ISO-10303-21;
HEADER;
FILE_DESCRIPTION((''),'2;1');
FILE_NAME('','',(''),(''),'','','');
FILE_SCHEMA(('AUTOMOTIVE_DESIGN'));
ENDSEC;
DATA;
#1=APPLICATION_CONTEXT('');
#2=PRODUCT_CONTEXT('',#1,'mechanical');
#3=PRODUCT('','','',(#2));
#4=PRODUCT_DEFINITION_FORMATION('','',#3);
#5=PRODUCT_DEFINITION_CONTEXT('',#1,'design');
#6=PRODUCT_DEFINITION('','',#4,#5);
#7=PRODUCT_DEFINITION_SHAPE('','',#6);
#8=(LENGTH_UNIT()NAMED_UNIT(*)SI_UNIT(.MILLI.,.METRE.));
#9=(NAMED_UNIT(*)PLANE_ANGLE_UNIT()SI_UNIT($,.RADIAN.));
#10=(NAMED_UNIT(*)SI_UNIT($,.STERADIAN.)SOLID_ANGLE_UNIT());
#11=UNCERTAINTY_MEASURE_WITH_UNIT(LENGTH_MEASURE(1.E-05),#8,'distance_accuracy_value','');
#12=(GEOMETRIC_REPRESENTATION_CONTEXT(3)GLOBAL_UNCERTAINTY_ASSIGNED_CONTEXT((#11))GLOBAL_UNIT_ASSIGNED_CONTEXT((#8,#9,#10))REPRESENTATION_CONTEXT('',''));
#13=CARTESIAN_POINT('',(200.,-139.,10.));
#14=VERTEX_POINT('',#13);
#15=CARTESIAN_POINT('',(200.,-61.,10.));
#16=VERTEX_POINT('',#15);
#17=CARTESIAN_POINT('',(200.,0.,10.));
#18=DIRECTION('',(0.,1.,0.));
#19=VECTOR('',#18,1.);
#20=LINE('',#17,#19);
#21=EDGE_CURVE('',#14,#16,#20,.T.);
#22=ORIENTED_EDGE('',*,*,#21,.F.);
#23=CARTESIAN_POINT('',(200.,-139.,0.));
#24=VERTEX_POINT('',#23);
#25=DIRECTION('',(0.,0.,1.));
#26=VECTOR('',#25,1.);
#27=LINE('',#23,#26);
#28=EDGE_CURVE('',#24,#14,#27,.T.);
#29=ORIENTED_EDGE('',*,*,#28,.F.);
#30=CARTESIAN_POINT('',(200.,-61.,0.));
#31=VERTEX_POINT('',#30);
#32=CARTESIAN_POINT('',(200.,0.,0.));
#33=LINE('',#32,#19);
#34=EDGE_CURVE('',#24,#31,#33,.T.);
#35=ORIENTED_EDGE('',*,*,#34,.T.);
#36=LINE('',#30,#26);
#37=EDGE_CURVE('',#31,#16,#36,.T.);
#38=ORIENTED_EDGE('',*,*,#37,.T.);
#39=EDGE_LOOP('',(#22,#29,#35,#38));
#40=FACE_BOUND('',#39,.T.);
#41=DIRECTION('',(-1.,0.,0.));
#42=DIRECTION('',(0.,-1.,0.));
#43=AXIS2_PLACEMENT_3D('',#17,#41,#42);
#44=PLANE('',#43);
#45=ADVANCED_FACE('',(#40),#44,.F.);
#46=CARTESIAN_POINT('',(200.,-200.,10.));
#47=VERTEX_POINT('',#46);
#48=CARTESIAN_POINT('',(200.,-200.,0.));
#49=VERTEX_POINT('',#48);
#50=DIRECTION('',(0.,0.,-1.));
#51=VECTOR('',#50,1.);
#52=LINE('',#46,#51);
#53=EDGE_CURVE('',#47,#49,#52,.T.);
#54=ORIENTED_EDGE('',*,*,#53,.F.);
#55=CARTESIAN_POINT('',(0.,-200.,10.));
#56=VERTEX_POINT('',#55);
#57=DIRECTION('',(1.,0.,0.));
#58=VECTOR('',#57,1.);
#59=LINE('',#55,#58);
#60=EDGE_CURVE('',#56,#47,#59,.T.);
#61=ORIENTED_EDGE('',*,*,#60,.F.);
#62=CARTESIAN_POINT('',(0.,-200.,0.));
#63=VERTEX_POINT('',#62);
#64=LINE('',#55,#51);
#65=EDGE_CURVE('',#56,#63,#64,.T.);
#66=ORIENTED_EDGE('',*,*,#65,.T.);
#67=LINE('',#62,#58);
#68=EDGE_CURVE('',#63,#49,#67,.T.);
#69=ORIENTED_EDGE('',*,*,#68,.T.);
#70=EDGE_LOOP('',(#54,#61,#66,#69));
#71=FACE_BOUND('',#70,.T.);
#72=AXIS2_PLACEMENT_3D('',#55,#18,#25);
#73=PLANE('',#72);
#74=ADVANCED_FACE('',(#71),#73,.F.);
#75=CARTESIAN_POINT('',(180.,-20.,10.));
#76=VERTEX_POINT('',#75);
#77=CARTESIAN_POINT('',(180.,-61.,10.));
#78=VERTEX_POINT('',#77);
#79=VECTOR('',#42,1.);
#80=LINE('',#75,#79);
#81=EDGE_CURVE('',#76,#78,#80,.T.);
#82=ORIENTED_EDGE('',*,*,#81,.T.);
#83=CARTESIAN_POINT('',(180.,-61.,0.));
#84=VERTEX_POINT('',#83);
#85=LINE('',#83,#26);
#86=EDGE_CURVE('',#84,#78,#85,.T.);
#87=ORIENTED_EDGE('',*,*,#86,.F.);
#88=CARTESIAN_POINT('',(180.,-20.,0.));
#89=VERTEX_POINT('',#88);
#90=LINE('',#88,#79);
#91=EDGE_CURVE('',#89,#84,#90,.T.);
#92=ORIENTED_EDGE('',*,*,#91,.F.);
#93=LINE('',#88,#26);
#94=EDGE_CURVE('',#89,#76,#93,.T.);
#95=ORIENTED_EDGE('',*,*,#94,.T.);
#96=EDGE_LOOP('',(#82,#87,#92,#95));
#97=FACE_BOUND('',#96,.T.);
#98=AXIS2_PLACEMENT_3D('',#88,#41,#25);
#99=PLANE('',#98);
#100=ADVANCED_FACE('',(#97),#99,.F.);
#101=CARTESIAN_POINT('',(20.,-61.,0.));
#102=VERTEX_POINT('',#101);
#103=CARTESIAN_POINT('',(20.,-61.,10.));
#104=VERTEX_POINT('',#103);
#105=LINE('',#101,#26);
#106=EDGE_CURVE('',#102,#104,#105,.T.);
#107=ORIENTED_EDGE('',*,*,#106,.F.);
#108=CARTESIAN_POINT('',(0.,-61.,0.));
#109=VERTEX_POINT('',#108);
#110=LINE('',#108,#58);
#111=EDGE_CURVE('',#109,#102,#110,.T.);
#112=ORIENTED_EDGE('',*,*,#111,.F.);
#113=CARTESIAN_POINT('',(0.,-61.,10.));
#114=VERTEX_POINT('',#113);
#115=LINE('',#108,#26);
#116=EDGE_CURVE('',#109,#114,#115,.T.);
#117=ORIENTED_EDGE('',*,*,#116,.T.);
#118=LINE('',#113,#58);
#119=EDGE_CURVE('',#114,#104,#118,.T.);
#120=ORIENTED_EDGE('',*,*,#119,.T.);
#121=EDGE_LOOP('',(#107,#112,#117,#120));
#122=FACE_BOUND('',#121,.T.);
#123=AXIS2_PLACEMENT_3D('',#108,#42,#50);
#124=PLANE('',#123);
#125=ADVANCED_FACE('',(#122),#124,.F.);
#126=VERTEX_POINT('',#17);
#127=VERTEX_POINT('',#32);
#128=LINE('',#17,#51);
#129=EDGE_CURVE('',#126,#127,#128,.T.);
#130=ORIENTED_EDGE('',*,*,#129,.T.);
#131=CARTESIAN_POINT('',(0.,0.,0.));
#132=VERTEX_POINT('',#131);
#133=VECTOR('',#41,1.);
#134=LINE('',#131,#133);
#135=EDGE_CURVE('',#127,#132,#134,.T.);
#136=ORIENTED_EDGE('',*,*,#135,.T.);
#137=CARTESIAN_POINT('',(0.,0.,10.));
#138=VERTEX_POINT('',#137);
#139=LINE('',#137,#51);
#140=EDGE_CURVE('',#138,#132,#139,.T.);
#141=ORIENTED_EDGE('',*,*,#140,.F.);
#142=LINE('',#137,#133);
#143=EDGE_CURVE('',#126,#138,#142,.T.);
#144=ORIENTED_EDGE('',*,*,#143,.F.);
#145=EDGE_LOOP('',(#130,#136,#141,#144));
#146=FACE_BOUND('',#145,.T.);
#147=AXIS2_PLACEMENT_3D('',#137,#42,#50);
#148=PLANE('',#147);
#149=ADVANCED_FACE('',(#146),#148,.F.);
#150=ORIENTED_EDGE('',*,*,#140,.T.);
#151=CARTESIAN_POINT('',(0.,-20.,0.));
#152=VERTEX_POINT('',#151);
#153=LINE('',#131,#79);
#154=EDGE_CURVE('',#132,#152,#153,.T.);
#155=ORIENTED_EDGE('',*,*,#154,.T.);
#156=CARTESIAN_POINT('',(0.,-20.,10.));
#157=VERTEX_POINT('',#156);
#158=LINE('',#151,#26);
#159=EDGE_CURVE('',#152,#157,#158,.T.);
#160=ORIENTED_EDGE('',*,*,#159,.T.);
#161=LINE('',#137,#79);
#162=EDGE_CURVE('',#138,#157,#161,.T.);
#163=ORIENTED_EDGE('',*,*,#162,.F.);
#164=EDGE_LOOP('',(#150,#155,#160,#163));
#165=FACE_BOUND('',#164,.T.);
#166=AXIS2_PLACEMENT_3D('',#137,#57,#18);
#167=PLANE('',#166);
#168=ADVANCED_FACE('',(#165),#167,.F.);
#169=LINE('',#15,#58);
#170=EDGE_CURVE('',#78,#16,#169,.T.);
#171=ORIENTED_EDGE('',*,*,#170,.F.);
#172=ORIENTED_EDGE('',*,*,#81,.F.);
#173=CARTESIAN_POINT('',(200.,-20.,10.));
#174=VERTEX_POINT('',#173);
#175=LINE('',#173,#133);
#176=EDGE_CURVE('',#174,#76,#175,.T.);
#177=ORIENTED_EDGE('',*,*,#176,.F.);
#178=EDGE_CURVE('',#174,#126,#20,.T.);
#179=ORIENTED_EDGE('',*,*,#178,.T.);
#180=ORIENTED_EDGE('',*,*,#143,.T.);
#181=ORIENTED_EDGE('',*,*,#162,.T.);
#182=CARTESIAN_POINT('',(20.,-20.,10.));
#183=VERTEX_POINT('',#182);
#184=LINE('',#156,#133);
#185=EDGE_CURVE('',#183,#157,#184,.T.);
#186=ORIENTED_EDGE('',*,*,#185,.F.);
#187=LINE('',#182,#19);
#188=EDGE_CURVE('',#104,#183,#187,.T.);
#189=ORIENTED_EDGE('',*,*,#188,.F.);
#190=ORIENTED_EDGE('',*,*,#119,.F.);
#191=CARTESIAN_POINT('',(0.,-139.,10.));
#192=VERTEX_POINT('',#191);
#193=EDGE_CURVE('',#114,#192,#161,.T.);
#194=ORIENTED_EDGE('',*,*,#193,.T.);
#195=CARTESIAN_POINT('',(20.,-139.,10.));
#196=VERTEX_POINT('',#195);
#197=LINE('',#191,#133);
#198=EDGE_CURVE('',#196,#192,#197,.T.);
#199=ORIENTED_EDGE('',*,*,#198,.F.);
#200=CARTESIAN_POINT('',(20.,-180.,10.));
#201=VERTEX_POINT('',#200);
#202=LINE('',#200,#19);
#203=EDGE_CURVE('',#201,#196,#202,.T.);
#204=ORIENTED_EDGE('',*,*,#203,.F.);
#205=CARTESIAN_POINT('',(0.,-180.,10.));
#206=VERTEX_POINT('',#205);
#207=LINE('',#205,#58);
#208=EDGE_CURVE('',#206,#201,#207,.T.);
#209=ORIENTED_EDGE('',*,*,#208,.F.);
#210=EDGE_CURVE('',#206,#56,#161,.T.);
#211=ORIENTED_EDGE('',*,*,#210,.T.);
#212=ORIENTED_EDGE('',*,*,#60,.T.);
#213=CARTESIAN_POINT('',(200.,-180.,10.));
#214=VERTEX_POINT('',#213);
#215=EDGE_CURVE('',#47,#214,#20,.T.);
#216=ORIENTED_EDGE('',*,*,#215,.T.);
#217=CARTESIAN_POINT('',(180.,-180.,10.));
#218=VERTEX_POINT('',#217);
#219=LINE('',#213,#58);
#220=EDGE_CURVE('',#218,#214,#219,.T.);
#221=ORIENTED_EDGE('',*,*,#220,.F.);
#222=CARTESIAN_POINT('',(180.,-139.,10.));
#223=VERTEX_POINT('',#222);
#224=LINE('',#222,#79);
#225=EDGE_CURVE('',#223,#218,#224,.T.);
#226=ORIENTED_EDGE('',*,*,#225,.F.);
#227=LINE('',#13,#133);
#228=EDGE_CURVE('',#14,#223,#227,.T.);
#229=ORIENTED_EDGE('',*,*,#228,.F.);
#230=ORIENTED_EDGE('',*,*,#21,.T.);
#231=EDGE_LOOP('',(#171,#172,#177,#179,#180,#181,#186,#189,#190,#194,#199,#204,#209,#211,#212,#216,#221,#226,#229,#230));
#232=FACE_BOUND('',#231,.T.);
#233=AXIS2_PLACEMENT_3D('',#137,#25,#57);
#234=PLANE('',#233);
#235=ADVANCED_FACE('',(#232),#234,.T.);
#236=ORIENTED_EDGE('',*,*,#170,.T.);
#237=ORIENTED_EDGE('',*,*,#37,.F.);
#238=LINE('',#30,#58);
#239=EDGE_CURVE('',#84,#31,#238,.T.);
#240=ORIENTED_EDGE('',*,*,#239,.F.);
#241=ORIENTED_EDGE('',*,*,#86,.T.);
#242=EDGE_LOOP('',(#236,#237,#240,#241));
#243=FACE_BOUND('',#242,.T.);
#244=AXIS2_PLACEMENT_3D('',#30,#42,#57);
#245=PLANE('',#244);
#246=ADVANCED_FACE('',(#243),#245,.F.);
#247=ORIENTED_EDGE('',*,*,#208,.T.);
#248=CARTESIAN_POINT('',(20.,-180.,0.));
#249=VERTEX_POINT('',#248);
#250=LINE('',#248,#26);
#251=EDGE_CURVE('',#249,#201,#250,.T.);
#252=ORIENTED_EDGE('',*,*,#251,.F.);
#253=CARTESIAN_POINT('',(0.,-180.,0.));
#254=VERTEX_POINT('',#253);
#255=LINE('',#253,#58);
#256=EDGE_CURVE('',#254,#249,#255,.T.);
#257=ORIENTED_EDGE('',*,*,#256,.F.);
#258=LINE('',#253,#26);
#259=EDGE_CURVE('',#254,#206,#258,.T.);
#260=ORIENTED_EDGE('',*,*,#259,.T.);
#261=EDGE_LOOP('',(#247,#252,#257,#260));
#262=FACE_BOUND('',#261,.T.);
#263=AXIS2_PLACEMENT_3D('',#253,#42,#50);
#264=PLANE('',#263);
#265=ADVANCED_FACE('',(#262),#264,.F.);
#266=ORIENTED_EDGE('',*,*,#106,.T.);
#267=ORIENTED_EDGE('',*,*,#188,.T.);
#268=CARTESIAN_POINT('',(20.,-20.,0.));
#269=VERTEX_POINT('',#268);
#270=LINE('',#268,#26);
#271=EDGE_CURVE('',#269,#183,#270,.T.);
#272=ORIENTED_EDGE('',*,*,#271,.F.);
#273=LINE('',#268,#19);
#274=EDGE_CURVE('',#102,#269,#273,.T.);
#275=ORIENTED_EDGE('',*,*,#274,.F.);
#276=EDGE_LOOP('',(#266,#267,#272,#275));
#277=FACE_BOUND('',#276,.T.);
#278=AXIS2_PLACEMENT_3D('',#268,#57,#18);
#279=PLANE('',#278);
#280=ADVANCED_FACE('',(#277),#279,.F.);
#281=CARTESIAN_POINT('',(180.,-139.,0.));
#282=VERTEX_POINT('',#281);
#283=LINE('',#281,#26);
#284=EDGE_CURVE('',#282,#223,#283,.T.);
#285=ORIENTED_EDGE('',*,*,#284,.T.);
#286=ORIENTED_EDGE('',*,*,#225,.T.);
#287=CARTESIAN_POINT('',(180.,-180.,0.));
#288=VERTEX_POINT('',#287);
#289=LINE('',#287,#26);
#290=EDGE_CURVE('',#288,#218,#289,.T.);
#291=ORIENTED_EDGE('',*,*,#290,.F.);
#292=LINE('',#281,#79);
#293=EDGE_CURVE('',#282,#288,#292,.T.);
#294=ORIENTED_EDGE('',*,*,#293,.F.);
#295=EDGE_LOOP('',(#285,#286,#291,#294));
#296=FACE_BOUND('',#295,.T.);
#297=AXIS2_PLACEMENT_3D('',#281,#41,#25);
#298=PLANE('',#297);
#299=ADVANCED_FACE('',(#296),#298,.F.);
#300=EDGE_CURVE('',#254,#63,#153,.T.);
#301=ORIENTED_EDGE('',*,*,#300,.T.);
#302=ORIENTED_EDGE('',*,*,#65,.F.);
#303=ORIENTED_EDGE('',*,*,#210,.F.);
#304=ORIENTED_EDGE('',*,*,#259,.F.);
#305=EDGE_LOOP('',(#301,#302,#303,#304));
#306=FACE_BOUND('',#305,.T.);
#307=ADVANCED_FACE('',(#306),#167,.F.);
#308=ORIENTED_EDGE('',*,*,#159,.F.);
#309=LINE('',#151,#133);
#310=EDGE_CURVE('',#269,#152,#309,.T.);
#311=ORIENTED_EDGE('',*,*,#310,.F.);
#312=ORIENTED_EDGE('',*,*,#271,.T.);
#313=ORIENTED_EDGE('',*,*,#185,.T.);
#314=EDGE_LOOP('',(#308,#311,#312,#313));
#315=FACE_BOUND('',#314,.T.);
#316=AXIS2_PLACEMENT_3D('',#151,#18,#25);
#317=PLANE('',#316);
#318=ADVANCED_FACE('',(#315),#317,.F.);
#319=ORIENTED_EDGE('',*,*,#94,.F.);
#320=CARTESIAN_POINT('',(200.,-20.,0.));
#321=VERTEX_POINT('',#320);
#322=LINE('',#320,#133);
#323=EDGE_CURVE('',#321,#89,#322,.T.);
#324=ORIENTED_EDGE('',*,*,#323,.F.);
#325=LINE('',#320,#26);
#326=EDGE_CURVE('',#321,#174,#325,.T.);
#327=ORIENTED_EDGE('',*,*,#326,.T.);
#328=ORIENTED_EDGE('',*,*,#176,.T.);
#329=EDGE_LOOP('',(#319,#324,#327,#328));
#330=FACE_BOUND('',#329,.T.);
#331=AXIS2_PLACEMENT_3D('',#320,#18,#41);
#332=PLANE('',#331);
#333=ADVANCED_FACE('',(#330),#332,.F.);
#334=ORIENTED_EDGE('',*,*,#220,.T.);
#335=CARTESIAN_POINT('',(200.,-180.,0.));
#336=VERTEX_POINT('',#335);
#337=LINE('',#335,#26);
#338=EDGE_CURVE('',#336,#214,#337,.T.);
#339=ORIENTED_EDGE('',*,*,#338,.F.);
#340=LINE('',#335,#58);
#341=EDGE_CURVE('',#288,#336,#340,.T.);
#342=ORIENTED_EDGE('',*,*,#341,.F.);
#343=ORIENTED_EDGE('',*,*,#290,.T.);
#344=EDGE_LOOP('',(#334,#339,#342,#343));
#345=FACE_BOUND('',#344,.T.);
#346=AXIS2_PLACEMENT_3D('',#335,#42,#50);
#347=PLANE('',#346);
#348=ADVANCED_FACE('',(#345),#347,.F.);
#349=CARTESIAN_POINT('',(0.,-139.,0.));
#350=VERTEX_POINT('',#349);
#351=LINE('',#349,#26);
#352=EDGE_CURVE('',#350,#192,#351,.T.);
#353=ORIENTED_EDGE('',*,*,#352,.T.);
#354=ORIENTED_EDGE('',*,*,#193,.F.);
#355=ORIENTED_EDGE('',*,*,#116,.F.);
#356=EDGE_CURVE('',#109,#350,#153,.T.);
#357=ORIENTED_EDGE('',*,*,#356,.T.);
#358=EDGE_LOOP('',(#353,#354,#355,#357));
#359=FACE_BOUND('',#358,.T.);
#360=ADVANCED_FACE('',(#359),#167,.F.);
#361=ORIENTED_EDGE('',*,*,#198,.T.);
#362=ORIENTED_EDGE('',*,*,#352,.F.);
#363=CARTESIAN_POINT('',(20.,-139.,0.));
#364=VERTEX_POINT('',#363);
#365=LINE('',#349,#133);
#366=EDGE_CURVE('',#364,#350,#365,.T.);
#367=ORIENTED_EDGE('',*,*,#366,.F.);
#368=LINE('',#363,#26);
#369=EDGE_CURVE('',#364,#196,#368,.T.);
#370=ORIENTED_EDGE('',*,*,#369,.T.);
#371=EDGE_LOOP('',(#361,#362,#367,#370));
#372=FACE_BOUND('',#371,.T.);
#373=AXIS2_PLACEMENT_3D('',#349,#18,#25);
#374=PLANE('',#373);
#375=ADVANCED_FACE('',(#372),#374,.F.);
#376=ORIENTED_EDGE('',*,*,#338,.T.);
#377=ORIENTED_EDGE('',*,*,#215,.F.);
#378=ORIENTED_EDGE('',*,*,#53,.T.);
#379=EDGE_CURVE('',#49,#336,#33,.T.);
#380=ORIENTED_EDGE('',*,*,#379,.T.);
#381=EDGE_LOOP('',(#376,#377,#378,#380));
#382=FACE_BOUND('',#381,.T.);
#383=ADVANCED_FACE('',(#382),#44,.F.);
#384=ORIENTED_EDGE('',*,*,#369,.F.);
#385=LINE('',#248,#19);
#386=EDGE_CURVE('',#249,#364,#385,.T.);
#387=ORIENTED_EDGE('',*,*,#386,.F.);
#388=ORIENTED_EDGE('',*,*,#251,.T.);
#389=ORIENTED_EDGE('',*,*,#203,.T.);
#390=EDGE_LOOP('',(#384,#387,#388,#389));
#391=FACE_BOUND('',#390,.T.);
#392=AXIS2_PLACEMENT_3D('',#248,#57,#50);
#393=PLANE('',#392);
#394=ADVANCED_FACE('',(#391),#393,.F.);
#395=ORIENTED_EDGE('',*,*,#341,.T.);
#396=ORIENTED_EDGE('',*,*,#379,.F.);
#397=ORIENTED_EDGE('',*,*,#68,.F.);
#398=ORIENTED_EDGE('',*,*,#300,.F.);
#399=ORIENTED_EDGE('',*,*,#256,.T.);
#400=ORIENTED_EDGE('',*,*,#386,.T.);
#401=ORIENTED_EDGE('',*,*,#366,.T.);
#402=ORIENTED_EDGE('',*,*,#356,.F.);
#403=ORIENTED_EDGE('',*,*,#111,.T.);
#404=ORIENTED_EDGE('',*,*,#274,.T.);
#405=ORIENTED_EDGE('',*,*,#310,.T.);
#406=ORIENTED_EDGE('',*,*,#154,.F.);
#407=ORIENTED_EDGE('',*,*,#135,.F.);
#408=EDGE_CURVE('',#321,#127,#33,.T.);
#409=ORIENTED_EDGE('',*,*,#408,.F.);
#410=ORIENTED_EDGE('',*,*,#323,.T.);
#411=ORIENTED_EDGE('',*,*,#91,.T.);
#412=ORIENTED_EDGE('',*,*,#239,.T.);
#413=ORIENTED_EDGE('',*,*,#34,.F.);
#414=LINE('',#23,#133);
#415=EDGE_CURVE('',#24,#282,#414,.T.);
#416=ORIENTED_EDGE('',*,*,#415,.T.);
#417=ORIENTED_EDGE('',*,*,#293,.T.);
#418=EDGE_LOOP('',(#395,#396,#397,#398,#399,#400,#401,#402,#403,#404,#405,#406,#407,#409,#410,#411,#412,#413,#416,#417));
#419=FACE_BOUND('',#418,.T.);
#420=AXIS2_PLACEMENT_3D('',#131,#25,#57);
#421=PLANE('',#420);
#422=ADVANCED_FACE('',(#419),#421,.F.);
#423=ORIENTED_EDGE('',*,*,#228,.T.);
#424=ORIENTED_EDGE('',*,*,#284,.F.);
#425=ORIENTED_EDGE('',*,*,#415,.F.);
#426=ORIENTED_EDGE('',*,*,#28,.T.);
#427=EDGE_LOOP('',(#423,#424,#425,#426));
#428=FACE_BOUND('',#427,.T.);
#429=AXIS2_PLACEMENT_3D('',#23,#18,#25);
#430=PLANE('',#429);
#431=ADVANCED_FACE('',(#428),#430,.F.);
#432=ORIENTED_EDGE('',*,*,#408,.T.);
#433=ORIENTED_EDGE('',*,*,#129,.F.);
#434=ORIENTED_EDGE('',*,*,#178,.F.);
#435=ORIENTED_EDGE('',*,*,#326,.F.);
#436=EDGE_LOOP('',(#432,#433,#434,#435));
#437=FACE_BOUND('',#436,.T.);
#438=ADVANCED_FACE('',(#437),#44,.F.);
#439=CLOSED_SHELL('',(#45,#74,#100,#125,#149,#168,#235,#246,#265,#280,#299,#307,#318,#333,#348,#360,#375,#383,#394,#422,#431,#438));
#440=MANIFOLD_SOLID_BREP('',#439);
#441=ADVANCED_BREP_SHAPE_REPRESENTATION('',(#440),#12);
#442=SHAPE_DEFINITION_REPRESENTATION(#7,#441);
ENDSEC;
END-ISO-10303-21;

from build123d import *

# Parameters (mm, degrees)
ESQUISSE1_W             = 200
ESQUISSE1_H             = 200
BOSS_EXTRU_1_DEPTH      = 10
ESQUISSE2_W             = 20
ESQUISSE2_H             = 41
ENL_V_MAT_EXTRU_1_DEPTH = 10


with BuildPart() as part:
    # Esquisse1 → Boss.-Extru.1 (new body)
    with BuildSketch(Plane.XY):
        with Locations((100, -100)):
            Rectangle(ESQUISSE1_W, ESQUISSE1_H)
    extrude(amount=BOSS_EXTRU_1_DEPTH)

    # Esquisse2 → Enlèv. mat.-Extru.1 (cut)
    with BuildSketch(Plane.XY.offset(10)):
        with Locations((10, -40.5)):
            Rectangle(ESQUISSE2_W, ESQUISSE2_H)
        with Locations((10, -159.5)):
            Rectangle(ESQUISSE2_W, ESQUISSE2_H)
        with Locations((190, -40.5)):
            Rectangle(ESQUISSE2_W, ESQUISSE2_H)
        with Locations((190, -159.5)):
            Rectangle(ESQUISSE2_W, ESQUISSE2_H)
    extrude(amount=-ENL_V_MAT_EXTRU_1_DEPTH, mode=Mode.SUBTRACT)


solid = part.part
